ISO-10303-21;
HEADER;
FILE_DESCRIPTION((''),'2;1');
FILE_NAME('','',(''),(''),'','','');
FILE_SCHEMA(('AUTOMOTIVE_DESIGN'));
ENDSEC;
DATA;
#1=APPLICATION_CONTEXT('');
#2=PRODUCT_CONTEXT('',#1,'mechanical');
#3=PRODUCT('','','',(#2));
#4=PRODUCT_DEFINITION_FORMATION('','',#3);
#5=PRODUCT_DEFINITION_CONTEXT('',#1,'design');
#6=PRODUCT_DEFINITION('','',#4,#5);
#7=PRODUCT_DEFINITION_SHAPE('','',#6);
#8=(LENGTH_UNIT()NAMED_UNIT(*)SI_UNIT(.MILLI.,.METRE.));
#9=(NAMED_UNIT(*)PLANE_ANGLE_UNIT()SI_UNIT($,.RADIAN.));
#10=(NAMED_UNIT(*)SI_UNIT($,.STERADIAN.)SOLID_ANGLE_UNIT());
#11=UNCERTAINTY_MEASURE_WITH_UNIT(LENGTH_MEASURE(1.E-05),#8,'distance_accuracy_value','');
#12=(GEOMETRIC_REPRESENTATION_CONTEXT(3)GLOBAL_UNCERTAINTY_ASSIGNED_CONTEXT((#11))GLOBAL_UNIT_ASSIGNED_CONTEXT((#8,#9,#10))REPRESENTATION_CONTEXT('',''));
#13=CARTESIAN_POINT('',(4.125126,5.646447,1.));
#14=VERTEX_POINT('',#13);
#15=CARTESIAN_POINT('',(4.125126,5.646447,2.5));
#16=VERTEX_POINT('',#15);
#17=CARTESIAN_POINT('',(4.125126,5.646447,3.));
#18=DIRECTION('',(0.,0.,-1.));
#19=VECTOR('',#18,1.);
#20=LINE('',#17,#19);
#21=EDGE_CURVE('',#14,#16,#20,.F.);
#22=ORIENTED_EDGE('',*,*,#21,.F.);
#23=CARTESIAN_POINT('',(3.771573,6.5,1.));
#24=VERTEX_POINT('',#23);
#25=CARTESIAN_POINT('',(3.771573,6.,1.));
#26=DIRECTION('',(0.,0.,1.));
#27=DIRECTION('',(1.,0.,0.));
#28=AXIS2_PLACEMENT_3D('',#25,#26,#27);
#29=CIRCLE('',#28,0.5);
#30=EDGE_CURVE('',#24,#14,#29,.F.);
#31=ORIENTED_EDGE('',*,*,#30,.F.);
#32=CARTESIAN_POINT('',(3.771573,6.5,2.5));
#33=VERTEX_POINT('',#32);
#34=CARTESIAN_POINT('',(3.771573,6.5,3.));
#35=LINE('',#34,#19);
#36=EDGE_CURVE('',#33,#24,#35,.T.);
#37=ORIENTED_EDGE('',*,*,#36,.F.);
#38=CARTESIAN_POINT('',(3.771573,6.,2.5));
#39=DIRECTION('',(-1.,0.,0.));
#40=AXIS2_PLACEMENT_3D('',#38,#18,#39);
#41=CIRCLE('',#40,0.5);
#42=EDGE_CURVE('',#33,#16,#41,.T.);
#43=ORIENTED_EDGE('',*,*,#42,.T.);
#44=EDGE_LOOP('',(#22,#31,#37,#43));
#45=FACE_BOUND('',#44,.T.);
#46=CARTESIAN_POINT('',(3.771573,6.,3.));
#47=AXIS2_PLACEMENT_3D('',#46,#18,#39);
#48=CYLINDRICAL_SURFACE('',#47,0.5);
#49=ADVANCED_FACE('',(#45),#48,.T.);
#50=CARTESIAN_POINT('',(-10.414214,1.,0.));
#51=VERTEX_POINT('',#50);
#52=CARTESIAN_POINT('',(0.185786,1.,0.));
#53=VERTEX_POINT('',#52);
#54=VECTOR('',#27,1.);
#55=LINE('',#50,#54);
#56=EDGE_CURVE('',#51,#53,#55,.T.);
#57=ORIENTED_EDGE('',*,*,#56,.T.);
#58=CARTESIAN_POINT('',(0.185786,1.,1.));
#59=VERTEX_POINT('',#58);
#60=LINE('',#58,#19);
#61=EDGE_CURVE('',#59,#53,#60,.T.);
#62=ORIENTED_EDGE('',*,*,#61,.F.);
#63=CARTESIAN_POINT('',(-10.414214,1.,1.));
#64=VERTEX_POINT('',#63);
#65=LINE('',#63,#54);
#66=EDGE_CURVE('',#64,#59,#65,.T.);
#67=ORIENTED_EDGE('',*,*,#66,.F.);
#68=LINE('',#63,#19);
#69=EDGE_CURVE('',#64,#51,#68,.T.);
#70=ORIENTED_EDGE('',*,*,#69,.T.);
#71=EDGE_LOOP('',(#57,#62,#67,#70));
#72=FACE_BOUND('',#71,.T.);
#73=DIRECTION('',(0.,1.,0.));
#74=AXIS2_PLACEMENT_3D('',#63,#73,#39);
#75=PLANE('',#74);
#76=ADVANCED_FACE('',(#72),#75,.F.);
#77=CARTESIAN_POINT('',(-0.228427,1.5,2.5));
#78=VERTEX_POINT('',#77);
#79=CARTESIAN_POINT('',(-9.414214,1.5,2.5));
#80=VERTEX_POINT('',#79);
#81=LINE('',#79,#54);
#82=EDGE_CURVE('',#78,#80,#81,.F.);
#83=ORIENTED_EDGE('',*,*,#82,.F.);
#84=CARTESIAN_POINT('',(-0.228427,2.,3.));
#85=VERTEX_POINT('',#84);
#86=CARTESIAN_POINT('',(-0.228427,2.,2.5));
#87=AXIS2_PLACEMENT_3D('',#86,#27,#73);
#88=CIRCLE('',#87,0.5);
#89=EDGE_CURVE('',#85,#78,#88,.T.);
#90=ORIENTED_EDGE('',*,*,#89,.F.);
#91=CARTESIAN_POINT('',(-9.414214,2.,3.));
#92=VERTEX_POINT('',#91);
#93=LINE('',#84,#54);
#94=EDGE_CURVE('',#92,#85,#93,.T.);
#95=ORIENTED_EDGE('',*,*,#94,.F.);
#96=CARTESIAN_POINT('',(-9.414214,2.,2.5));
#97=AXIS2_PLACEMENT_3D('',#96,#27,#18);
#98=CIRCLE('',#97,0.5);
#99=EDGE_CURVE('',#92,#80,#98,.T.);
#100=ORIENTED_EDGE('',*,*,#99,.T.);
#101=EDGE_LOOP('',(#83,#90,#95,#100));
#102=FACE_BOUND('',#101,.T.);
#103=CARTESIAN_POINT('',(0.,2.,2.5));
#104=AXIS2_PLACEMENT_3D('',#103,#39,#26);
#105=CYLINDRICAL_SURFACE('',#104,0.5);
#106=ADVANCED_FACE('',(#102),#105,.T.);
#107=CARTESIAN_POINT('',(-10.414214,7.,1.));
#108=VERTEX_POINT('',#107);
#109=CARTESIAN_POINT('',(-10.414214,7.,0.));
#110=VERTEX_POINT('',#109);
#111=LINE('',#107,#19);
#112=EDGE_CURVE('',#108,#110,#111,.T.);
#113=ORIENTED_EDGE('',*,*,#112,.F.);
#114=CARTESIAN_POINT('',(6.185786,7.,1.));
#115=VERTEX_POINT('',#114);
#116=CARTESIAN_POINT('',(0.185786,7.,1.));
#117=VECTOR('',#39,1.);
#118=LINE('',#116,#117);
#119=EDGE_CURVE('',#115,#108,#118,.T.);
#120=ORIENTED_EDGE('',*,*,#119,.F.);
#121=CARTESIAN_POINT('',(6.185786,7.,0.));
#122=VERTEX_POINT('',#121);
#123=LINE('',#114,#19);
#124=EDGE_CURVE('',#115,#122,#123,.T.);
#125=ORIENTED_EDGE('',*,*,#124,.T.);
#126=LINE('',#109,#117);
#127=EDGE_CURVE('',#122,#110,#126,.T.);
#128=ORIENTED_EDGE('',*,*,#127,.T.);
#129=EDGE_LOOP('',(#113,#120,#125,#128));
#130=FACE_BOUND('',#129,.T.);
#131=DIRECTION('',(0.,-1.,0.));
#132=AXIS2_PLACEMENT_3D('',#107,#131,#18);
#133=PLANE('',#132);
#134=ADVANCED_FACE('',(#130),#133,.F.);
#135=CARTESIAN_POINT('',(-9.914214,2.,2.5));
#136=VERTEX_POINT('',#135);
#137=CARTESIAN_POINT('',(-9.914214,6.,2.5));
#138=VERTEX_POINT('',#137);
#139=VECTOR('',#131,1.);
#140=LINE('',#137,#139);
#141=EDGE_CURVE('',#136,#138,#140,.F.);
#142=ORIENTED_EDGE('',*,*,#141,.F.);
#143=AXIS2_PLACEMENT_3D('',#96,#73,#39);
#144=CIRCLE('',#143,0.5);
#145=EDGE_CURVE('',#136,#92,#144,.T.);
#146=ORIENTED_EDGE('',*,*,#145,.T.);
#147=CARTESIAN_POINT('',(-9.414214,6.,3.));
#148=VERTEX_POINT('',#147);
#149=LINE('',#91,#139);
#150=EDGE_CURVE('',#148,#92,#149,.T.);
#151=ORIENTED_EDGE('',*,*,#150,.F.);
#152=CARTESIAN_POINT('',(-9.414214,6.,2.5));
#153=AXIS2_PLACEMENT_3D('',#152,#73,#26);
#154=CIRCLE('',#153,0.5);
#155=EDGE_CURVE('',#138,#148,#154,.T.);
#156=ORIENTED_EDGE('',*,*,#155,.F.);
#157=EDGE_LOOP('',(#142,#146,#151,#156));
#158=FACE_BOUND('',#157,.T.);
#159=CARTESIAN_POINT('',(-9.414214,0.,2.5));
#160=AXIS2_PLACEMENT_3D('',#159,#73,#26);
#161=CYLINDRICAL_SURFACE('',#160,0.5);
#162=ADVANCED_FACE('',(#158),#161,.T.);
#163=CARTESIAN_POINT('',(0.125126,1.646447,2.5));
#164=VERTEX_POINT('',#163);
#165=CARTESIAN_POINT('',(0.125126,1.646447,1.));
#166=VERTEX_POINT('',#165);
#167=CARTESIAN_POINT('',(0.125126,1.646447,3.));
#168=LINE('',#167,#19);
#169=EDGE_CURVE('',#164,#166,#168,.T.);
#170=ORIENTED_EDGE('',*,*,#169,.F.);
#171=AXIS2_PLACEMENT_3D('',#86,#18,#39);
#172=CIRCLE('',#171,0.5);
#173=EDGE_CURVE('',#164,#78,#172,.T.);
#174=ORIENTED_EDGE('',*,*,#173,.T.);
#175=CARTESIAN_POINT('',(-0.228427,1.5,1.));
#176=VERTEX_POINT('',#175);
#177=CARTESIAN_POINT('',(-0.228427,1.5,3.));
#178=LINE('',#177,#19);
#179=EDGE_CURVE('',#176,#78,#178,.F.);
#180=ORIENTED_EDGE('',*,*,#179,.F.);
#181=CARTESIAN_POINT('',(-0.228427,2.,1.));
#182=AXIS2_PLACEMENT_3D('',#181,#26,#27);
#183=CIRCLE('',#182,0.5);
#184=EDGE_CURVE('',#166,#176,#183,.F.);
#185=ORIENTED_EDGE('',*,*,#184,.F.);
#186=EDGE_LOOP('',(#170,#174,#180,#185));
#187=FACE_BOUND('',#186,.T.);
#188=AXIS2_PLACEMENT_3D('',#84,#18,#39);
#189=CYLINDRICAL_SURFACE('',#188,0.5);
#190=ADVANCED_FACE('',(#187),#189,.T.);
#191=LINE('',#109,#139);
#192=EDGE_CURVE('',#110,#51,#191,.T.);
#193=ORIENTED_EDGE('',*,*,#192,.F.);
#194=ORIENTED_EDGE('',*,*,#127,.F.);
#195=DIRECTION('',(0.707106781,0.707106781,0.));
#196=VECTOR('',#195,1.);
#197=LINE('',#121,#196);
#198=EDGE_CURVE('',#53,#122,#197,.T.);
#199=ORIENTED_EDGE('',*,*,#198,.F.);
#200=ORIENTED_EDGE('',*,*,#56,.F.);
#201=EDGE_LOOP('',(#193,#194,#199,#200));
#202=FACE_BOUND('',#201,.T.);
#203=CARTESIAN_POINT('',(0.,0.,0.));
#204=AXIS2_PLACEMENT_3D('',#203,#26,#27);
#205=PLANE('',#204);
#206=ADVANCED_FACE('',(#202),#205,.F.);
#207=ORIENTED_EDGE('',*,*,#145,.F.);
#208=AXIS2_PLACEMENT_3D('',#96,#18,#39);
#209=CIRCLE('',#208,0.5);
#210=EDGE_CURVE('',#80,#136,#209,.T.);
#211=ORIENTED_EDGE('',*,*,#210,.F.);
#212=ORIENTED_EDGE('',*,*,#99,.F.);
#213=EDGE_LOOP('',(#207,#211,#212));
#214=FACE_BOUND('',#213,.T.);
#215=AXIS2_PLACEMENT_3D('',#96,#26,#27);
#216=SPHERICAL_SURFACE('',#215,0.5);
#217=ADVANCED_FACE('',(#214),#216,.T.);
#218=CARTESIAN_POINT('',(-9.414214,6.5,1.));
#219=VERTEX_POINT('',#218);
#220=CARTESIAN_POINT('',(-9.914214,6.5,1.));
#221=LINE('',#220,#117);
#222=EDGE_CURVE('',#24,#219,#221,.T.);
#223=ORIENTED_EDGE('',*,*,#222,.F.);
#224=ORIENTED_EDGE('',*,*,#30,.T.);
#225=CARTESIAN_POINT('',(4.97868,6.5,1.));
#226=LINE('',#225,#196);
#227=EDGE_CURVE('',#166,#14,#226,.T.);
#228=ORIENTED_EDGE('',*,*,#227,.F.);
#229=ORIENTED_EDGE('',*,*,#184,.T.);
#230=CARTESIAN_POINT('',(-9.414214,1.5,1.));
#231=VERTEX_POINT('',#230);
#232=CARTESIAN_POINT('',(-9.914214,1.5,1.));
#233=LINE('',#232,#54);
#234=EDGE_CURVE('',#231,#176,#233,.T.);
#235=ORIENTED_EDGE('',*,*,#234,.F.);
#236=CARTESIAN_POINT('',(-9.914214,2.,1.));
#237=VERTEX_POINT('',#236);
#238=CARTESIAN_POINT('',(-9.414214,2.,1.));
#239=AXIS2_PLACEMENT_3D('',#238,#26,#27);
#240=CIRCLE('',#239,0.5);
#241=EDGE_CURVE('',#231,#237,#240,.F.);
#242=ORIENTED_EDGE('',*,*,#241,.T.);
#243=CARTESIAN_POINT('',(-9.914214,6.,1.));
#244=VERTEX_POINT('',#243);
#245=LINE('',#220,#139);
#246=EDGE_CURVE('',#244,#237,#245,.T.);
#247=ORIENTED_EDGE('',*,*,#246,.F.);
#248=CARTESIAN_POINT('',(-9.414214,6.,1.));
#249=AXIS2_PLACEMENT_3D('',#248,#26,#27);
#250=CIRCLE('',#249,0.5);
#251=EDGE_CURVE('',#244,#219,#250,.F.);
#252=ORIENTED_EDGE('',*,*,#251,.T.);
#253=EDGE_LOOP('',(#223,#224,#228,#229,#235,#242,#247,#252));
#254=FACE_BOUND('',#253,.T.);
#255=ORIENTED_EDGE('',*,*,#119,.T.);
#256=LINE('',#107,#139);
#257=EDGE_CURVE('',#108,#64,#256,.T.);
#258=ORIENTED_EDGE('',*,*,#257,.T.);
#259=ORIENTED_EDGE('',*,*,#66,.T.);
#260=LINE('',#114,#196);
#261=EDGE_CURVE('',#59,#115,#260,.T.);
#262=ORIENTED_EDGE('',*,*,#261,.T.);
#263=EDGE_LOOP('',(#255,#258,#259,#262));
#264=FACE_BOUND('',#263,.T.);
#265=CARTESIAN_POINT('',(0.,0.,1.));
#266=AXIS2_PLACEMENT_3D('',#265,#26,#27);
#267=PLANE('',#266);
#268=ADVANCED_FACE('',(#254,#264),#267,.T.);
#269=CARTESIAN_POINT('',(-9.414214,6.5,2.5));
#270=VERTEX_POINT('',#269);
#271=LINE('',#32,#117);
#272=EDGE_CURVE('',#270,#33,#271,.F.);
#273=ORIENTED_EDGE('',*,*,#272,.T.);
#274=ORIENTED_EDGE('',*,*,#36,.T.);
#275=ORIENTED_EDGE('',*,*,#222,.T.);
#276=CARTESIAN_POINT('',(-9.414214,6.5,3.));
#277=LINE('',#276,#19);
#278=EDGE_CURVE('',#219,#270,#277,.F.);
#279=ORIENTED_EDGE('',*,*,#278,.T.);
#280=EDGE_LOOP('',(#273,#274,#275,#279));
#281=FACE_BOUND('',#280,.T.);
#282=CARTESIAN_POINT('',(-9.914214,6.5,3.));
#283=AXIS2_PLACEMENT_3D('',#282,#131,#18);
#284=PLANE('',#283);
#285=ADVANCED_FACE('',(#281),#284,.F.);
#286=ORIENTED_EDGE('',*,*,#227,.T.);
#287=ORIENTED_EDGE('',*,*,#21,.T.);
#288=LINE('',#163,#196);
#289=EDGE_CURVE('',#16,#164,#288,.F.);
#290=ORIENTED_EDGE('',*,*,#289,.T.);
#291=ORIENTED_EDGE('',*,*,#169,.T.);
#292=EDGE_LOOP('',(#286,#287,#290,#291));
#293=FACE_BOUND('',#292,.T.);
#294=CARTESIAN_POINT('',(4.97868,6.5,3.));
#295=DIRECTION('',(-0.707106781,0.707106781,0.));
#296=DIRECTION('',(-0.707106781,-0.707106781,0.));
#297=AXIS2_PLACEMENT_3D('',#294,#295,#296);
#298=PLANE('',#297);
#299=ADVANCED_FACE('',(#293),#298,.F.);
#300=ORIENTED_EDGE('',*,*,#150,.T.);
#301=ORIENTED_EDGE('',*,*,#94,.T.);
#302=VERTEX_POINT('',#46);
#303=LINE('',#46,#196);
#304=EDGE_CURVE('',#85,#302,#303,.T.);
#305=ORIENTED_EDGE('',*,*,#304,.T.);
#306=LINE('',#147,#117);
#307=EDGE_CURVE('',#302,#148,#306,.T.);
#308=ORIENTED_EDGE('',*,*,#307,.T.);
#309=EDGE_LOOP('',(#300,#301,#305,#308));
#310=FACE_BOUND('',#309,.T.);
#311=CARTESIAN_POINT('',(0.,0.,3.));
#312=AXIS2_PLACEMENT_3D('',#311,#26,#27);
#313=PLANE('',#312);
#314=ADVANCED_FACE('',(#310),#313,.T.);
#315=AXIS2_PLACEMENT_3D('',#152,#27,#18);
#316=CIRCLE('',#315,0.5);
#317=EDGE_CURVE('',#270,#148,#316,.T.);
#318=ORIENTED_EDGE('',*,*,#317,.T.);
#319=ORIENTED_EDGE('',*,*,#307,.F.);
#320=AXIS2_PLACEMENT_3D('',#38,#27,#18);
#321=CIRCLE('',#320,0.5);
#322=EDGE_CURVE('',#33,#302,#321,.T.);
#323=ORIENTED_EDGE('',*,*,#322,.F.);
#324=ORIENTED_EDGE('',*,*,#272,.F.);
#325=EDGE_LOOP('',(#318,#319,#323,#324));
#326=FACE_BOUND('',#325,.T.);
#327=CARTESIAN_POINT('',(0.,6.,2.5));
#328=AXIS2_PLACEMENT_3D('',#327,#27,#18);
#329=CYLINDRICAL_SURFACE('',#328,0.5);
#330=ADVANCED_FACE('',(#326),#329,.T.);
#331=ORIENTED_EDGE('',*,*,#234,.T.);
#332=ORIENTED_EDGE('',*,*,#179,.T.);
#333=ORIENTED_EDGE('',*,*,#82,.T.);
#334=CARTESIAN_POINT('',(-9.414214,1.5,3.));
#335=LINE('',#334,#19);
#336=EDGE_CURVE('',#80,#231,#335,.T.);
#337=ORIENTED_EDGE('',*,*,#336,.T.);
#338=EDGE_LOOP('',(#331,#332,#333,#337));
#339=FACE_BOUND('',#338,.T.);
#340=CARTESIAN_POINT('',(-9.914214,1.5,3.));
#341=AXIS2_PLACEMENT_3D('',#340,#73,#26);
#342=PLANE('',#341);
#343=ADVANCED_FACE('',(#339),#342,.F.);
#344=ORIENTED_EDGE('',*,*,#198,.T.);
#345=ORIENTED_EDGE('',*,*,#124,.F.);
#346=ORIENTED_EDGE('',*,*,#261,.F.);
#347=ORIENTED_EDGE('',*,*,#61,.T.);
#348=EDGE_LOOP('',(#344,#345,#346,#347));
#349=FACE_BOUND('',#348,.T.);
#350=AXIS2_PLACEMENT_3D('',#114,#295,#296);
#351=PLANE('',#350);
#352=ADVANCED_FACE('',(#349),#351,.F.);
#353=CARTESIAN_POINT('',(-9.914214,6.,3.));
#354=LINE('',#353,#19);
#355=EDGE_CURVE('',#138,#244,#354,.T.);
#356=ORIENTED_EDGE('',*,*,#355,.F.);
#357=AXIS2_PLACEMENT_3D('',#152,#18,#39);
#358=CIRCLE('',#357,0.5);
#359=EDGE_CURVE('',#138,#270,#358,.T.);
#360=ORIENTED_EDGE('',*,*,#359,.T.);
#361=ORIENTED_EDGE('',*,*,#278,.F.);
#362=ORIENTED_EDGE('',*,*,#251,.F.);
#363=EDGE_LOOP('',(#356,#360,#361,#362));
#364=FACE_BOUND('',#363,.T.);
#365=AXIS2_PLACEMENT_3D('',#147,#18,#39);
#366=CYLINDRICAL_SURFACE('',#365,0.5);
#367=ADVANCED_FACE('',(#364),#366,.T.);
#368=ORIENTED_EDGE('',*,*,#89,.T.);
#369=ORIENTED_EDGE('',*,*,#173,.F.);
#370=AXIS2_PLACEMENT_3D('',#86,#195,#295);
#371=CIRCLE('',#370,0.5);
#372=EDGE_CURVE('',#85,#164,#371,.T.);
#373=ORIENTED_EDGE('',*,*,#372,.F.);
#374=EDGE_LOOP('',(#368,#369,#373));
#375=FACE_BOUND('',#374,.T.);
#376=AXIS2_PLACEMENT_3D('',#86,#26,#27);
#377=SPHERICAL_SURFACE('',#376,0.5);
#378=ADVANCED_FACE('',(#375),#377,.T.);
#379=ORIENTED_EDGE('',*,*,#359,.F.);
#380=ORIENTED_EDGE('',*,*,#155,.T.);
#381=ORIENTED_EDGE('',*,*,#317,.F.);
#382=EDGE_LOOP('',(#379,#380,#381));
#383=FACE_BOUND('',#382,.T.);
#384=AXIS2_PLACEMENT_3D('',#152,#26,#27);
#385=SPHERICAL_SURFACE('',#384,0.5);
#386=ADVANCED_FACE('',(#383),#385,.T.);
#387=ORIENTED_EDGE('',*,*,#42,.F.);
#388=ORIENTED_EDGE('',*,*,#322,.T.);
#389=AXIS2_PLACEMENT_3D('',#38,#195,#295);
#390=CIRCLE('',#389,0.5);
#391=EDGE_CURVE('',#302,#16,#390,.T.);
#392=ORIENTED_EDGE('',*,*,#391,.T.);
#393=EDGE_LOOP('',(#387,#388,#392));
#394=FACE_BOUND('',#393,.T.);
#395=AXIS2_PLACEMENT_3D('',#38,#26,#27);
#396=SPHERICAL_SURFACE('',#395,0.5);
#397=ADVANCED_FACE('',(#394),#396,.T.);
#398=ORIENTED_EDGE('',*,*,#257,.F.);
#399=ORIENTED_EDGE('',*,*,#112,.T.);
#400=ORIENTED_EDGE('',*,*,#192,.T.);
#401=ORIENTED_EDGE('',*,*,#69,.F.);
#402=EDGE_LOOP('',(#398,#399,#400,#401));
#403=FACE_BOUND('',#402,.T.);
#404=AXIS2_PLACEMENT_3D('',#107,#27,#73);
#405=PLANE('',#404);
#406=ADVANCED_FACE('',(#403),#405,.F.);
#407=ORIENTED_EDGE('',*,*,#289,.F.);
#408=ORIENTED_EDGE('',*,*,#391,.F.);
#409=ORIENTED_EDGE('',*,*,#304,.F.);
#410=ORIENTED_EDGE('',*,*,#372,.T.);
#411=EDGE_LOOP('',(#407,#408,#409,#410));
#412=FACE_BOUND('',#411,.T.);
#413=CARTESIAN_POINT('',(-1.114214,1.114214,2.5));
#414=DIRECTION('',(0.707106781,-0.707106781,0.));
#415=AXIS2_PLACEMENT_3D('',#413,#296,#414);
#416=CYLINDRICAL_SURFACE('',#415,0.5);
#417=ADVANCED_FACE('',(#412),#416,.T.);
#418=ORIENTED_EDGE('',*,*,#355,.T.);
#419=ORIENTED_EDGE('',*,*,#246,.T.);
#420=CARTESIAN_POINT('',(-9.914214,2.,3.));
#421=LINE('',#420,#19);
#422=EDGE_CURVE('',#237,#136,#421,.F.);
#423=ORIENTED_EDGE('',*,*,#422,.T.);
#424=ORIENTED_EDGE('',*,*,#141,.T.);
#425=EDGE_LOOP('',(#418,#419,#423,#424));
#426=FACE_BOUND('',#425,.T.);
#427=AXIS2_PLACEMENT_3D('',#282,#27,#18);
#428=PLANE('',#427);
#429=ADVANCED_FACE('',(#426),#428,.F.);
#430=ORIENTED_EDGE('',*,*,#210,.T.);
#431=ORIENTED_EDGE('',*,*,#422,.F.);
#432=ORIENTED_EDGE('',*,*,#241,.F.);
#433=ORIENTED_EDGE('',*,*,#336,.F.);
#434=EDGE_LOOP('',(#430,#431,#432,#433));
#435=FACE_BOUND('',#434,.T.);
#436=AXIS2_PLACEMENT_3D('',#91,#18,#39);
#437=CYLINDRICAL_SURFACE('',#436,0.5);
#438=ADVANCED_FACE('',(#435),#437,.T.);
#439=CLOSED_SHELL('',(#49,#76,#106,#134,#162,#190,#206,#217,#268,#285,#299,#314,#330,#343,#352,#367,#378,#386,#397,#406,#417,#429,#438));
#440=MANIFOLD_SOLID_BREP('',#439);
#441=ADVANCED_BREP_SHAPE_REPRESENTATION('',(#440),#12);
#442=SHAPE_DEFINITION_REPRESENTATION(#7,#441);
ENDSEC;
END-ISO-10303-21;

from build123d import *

# Parameters (mm, degrees)
BOSS_EXTRUDE1_DEPTH = 1
BOSS_EXTRUDE2_DEPTH = 2
FILLET1_R           = 0.5
FILLET2_R           = 0.5


with BuildPart() as part:
    # Sketch1 → Boss-Extrude1 (new body)
    with BuildSketch(Plane.XY):
        Polygon((0.185786438, 7), (6.185786438, 7), (0.185786438, 1), (-10.414213562, 1), (-10.414213562, 7), align=None)
    extrude(amount=BOSS_EXTRUDE1_DEPTH)

    # Sketch3 → Boss-Extrude2 (add)
    with BuildSketch(Plane.XY.offset(1)):
        Polygon((-0.621320344, 6.5), (4.978679656, 6.5), (-0.021320344, 1.5), (-9.914213562, 1.5), (-9.914213562, 6.5), align=None)
    extrude(amount=BOSS_EXTRUDE2_DEPTH)

    # Fillet1
    fillet1_edges = [part.edges().sort_by_distance(p)[0] for p in [
        (-9.914213562, 6.5, 2),
        (-9.914213562, 1.5, 2),
        (-0.021320344, 1.5, 2),
        (4.978679656, 6.5, 2),
    ]]
    fillet(fillet1_edges, radius=FILLET1_R)

    # Fillet2
    fillet2_edges = [part.edges().sort_by_distance(p)[0] for p in [
        (-2.821320344, 6.5, 3),
        (2.125126266, 3.646446609, 3),
        (-9.914213562, 4, 3),
        (-4.821320344, 1.5, 3),
        (-0.037085409, 1.538060234, 3),
        (-9.767766953, 1.646446609, 3),
        (-9.767766953, 6.353553391, 3),
        (4.233512642, 6.191341716, 3),
    ]]
    fillet(fillet2_edges, radius=FILLET2_R)


solid = part.part
